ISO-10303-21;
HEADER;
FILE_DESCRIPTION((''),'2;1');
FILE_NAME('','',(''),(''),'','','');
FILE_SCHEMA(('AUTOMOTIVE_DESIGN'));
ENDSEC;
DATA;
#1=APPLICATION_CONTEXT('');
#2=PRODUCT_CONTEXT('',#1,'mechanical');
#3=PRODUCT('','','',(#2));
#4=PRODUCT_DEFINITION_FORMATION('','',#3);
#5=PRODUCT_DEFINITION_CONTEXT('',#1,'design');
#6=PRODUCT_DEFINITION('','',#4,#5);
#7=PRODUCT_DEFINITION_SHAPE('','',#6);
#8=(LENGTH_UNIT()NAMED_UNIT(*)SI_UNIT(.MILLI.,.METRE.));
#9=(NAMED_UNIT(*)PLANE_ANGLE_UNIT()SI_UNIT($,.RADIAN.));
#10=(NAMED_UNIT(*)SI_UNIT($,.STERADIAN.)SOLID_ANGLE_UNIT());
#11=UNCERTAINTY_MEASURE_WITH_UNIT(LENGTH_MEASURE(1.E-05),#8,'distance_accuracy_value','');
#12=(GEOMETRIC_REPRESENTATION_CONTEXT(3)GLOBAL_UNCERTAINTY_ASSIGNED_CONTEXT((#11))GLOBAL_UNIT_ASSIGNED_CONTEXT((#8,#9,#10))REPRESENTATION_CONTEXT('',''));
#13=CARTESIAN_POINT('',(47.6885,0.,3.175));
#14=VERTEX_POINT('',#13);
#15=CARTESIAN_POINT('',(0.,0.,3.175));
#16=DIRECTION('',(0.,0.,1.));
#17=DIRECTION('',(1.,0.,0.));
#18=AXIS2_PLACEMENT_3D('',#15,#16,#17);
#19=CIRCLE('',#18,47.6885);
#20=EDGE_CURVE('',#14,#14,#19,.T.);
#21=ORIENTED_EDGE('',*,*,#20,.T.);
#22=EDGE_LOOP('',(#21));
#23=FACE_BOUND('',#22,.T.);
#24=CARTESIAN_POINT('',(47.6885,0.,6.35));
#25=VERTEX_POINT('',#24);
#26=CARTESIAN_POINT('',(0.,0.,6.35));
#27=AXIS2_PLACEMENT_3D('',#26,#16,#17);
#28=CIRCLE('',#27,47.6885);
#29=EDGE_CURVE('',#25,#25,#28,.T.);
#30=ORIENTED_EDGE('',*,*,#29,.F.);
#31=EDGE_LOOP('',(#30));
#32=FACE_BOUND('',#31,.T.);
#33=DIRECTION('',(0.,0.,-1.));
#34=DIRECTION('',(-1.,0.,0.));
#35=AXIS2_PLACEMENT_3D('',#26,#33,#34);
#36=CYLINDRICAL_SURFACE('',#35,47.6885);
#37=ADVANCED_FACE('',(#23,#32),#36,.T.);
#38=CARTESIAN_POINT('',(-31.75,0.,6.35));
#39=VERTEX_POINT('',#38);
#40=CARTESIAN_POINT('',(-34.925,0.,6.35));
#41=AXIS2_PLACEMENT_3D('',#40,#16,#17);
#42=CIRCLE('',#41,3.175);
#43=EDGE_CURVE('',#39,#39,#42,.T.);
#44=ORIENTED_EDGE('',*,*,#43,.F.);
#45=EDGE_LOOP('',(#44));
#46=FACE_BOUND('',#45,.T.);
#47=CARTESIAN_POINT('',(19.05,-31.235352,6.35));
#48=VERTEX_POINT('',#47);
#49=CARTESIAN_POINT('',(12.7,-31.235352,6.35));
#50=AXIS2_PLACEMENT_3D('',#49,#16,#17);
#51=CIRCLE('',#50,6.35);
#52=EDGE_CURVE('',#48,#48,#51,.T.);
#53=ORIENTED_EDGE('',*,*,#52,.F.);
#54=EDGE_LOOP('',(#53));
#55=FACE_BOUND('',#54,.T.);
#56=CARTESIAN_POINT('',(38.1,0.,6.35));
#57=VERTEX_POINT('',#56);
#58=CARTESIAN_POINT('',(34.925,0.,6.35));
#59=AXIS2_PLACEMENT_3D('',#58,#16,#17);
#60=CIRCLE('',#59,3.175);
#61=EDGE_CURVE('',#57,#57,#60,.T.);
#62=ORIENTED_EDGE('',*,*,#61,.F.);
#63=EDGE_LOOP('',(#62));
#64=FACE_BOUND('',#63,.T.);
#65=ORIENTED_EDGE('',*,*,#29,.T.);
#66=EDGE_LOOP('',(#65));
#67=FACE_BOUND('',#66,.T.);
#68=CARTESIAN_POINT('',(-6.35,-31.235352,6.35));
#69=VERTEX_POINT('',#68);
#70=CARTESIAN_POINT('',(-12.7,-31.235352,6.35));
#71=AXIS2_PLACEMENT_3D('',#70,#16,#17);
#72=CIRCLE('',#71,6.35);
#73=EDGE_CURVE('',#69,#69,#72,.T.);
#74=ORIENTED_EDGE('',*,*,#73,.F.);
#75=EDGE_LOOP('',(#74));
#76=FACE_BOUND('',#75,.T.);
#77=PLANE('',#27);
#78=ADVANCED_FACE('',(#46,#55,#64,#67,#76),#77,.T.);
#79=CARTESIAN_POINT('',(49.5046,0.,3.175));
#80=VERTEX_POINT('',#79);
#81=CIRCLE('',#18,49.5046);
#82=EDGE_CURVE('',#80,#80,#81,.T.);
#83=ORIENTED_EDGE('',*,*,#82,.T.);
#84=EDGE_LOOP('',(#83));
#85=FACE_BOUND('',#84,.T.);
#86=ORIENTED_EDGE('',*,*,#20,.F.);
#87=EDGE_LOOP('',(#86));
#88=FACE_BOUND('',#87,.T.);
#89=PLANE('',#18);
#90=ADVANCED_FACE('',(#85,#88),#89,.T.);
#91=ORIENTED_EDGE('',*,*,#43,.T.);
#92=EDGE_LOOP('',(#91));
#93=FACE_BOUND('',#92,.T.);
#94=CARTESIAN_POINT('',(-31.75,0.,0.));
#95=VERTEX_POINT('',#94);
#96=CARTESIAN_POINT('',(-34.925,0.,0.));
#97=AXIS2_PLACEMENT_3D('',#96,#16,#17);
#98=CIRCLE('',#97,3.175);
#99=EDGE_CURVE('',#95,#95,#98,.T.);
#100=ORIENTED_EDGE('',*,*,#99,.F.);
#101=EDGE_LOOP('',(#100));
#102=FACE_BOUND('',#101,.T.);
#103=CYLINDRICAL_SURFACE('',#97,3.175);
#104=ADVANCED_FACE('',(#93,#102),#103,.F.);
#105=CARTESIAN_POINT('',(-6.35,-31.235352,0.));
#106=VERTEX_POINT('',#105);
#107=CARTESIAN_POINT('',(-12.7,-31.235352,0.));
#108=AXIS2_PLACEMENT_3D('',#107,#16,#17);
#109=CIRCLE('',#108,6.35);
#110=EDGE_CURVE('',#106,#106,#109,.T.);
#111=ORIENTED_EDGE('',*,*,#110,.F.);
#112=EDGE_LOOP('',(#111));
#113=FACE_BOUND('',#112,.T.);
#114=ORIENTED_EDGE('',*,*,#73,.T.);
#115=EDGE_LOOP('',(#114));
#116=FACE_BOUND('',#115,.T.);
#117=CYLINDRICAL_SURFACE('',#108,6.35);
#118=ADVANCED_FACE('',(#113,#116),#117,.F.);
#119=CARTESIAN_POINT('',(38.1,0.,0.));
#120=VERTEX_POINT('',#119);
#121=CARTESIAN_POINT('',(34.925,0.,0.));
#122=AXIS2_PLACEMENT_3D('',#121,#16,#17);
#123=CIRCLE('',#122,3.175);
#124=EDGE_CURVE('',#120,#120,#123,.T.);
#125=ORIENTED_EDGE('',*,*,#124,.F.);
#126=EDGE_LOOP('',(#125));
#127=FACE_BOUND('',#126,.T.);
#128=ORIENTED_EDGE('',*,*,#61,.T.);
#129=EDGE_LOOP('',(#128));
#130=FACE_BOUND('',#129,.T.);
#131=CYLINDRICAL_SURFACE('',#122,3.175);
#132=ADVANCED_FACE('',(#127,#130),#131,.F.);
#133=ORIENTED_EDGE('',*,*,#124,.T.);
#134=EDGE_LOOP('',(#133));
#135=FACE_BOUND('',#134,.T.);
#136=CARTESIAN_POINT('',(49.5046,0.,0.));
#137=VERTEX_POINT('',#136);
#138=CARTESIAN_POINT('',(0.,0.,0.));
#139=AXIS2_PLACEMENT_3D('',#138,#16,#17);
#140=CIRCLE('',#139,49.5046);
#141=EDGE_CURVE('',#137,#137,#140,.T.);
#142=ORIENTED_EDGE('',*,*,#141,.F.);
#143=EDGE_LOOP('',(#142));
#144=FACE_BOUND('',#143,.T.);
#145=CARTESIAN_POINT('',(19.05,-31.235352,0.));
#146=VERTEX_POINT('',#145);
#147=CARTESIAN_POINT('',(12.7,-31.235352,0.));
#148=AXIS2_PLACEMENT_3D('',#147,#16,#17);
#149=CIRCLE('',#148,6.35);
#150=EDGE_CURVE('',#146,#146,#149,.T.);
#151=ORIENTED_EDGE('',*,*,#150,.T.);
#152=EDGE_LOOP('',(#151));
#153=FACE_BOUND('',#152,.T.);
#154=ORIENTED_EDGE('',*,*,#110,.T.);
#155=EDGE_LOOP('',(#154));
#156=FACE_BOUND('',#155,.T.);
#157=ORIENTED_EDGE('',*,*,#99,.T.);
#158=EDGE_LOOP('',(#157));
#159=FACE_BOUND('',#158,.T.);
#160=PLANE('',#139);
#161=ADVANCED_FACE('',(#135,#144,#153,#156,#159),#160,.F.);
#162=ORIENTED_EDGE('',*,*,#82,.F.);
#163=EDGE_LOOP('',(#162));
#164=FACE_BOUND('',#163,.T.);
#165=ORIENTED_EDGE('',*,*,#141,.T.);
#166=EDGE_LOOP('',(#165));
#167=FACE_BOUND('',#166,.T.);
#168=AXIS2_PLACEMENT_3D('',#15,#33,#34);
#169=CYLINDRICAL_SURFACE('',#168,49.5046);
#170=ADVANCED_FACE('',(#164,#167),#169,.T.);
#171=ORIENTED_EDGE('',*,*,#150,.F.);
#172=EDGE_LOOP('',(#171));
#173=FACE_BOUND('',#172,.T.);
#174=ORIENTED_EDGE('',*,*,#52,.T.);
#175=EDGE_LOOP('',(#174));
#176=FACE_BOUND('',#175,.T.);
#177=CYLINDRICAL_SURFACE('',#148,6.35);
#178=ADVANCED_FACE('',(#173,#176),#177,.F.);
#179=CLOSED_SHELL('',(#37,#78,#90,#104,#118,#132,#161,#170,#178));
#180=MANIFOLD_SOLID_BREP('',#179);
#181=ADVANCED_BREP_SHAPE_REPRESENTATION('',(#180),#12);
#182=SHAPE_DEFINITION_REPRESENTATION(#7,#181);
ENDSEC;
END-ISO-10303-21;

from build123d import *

# Parameters (mm, degrees)
SKETCH1_R           = 49.5046
BOSS_EXTRUDE1_DEPTH = 3.175
SKETCH2_R           = 47.6885
BOSS_EXTRUDE2_DEPTH = 3.175
SKETCH3_R           = 6.35
SKETCH3_R_2         = 3.175
CUT_EXTRUDE1_DEPTH  = 71.297463271


with BuildPart() as part:
    # Sketch1 → Boss-Extrude1 (new body)
    with BuildSketch(Plane.XY):
        Circle(SKETCH1_R)
    extrude(amount=BOSS_EXTRUDE1_DEPTH)

    # Sketch2 → Boss-Extrude2 (add)
    with BuildSketch(Plane.XY.offset(3.175)):
        Circle(SKETCH2_R)
    extrude(amount=BOSS_EXTRUDE2_DEPTH)

    # Sketch3 → Cut-Extrude1 (cut, through all)
    with BuildSketch(Plane.XY.offset(6.35)):
        with Locations((-12.7, -31.235352443)):
            Circle(SKETCH3_R)
        with Locations((12.7, -31.235352443)):
            Circle(SKETCH3_R)
        with Locations((-34.925, 0)):
            Circle(SKETCH3_R_2)
        with Locations((34.925, 0)):
            Circle(SKETCH3_R_2)
    extrude(amount=-CUT_EXTRUDE1_DEPTH, mode=Mode.SUBTRACT)


solid = part.part
